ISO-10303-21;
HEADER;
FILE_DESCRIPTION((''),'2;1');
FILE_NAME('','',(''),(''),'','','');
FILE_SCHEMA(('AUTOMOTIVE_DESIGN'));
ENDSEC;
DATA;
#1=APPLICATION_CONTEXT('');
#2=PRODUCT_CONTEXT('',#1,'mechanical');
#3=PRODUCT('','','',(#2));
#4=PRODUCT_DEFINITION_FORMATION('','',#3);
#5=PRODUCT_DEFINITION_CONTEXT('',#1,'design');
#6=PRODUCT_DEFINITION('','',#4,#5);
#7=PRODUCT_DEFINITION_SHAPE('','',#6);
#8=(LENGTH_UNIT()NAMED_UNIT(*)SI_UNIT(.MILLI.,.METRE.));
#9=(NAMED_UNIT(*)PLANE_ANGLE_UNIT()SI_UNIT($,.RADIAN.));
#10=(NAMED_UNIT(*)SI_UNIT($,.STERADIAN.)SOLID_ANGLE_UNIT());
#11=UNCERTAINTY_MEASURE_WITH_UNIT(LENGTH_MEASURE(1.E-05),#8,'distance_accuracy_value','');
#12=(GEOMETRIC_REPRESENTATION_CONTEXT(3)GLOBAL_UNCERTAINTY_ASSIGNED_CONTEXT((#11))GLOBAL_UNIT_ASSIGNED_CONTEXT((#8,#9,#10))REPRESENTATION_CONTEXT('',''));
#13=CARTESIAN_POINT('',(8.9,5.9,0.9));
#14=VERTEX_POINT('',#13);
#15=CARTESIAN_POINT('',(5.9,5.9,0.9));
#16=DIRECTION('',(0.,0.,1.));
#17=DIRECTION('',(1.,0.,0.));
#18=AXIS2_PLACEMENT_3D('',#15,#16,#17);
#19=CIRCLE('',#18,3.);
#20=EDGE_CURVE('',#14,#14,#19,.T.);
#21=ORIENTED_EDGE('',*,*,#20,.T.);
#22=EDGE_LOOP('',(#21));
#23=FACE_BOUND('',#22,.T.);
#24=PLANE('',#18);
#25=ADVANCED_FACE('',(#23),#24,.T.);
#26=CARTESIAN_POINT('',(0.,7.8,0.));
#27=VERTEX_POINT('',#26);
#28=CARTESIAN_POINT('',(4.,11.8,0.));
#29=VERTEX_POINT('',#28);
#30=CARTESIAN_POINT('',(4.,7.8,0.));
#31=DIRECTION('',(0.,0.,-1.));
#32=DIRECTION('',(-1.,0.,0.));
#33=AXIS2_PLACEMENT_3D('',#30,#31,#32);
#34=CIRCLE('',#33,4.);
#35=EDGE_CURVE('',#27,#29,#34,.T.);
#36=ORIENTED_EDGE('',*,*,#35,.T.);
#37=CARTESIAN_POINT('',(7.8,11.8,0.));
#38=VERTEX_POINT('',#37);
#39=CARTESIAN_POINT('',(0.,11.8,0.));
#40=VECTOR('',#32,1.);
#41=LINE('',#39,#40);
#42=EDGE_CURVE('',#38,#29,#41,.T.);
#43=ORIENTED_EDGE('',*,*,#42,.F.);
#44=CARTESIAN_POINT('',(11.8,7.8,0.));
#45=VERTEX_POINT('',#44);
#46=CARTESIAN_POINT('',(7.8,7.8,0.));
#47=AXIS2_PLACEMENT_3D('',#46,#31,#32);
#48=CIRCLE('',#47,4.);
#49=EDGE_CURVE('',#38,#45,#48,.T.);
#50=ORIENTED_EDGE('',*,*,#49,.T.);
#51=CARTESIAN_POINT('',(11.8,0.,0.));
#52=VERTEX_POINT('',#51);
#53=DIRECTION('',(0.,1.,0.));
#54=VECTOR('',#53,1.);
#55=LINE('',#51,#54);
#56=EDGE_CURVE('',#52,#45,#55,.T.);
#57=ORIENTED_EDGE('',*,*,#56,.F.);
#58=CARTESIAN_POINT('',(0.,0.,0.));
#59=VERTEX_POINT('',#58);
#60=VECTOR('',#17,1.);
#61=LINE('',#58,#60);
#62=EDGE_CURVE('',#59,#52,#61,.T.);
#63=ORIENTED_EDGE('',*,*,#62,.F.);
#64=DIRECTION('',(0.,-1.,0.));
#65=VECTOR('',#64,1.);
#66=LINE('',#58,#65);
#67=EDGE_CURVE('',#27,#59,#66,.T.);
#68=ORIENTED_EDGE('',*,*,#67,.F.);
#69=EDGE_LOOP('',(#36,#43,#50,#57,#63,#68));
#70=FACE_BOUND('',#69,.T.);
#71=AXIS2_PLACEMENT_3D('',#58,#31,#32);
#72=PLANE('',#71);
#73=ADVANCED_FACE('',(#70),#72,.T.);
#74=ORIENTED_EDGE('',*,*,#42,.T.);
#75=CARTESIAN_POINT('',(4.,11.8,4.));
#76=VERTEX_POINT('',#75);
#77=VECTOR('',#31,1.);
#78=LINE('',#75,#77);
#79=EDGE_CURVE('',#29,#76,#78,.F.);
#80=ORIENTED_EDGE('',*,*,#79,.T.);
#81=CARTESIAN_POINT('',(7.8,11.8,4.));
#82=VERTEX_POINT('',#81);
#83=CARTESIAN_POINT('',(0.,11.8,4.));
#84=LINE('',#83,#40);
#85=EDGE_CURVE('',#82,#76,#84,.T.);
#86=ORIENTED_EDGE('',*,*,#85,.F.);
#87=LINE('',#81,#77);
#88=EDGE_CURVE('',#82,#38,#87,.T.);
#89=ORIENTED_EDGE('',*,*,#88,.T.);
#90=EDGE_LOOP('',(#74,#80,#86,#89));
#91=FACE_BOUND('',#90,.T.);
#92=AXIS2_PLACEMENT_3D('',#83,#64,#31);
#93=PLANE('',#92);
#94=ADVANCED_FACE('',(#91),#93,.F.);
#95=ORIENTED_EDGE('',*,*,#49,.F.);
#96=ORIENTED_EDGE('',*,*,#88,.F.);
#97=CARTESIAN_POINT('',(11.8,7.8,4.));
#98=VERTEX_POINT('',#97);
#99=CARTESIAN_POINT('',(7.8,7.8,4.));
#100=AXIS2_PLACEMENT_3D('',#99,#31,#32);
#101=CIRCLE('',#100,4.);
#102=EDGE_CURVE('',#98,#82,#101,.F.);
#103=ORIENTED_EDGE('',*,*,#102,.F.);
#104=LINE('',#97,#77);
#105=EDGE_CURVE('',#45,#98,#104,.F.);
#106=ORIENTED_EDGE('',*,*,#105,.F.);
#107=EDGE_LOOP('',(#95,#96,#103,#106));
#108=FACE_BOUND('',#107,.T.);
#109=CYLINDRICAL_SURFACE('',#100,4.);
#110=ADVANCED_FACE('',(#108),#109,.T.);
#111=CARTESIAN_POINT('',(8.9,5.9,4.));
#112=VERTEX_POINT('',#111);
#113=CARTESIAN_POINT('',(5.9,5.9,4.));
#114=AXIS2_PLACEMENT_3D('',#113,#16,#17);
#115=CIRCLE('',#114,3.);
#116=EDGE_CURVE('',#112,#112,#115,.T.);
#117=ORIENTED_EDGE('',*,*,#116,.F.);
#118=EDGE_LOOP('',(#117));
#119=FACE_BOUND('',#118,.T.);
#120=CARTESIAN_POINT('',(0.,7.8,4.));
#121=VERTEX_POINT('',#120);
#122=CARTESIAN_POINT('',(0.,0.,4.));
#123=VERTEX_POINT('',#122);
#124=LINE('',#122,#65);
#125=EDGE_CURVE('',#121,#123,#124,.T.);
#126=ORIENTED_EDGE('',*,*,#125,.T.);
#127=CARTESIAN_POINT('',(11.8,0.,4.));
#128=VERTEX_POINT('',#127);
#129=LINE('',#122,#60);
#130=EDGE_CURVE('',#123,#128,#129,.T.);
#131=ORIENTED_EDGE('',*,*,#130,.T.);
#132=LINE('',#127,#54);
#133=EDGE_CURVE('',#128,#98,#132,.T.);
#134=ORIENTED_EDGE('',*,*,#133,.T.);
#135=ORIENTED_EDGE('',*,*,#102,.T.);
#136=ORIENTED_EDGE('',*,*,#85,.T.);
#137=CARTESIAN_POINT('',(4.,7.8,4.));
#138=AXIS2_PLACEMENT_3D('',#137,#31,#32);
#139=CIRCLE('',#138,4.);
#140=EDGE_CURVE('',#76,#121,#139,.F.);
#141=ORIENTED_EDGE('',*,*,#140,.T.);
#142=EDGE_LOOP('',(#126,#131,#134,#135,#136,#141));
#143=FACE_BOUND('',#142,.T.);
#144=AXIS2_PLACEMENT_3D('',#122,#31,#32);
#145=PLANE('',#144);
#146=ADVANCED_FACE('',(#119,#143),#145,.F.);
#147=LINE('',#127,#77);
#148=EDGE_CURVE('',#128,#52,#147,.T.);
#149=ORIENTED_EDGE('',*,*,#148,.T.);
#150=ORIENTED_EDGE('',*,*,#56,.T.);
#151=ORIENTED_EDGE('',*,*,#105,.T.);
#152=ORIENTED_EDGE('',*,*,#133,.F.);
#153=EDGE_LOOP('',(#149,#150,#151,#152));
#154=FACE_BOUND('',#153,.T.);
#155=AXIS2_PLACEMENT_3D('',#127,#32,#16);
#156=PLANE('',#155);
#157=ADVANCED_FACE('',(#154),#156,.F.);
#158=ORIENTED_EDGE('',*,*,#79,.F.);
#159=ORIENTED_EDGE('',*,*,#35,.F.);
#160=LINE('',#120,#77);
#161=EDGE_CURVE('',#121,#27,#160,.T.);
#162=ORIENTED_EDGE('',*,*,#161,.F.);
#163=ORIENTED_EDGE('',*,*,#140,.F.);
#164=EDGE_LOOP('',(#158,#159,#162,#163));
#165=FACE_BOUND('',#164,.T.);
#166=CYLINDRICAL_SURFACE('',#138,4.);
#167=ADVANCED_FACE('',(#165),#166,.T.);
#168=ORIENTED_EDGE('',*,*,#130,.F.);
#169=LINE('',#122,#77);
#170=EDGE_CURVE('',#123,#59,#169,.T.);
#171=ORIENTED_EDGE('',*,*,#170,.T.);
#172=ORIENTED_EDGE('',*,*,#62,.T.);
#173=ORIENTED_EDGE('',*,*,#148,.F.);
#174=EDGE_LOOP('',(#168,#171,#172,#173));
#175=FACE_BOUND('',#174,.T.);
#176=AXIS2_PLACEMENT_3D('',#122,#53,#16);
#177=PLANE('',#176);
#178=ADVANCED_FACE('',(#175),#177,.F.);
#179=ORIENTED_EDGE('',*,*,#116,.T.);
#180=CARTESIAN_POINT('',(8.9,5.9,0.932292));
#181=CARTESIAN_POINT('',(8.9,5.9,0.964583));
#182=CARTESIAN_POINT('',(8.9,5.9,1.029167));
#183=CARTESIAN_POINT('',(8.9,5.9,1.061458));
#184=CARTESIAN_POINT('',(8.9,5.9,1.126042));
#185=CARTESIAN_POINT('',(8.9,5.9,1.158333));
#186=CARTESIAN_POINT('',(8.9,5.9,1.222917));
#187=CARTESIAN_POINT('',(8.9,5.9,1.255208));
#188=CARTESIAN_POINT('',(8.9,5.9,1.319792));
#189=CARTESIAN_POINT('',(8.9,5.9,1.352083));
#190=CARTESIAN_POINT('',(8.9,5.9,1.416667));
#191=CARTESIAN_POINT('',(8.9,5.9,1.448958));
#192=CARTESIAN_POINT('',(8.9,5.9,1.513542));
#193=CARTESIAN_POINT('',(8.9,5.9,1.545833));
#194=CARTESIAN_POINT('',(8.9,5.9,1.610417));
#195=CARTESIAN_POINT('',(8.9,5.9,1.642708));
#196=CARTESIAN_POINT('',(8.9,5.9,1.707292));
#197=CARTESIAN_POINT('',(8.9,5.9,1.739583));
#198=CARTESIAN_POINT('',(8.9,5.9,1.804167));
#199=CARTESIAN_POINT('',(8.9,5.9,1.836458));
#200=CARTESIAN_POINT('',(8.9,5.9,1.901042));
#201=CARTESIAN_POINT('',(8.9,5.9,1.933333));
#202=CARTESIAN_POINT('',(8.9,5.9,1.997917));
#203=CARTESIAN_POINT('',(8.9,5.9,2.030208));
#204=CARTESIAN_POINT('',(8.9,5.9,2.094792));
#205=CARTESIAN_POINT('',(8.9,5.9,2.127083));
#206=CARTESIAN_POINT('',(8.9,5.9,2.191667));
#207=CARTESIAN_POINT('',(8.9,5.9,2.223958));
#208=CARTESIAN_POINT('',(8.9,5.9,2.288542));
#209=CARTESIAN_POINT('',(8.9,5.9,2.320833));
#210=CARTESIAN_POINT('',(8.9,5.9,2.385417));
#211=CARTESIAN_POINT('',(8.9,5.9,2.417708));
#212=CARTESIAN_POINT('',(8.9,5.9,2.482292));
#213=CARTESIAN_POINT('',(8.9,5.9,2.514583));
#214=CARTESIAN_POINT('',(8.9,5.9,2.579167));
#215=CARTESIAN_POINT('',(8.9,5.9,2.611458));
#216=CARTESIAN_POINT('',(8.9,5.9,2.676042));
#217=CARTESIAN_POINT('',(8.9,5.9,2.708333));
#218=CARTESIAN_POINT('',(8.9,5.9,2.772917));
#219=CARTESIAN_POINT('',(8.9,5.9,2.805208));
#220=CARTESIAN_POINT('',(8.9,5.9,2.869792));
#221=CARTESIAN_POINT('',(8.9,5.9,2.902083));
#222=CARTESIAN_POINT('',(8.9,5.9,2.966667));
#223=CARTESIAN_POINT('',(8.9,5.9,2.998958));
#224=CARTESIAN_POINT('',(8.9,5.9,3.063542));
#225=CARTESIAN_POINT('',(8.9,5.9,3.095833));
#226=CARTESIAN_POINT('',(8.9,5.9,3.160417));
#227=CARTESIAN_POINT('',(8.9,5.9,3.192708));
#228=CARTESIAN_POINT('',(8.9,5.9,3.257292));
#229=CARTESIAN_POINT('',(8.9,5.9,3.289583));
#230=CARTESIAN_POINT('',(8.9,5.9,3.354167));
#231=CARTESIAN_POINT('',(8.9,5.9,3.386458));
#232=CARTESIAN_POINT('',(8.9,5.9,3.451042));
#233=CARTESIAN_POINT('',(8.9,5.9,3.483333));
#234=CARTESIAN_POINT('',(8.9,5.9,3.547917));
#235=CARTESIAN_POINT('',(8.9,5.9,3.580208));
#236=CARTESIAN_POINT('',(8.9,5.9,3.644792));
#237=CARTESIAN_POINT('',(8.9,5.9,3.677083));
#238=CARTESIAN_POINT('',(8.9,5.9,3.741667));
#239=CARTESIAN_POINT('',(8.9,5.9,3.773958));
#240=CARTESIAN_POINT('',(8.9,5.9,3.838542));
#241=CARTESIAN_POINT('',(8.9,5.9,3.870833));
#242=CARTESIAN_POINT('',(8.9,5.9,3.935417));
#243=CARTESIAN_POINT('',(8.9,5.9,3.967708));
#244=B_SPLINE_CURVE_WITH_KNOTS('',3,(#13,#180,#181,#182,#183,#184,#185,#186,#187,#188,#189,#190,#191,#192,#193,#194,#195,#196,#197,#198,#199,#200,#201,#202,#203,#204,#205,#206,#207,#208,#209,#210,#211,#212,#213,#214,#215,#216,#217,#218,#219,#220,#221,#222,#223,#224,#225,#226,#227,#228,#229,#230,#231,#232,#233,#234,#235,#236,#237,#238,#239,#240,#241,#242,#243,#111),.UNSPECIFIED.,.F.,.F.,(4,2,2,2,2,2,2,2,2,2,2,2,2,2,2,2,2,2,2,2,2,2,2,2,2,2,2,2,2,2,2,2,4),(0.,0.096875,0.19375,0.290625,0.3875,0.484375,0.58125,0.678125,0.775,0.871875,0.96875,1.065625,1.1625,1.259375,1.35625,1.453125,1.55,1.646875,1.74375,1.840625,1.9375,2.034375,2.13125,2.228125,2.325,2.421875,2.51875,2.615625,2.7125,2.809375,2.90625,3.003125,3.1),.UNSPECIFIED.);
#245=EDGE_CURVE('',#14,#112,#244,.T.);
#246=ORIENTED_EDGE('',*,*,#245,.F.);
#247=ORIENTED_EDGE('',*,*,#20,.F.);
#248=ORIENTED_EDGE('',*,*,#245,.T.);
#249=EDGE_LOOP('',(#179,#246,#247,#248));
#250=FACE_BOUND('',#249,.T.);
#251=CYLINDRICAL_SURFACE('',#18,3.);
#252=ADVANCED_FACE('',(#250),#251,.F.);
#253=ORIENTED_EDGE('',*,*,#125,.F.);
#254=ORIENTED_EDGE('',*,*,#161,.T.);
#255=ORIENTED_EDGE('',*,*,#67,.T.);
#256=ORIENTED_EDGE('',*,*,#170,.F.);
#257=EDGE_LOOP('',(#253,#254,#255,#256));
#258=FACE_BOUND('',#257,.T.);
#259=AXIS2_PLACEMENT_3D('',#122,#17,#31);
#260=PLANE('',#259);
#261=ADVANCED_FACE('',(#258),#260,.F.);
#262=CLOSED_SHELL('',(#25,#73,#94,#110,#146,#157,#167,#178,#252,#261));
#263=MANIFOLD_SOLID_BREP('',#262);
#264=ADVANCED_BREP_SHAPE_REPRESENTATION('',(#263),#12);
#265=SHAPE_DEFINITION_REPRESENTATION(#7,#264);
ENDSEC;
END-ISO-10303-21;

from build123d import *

# Parameters (mm, degrees)
SKETCH1_W           = 11.8
SKETCH1_H           = 11.8
BOSS_EXTRUDE1_DEPTH = 4
SKETCH2_R           = 3
CUT_EXTRUDE1_DEPTH  = 3.1
FILLET1_R           = 4


with BuildPart() as part:
    # Sketch1 → Boss-Extrude1 (new body)
    with BuildSketch(Plane.XY):
        with Locations((5.9, 5.9)):
            Rectangle(SKETCH1_W, SKETCH1_H)
    extrude(amount=BOSS_EXTRUDE1_DEPTH)

    # Sketch2 → Cut-Extrude1 (cut)
    with BuildSketch(Plane.XY.offset(4)):
        with Locations((5.9, 5.9)):
            Circle(SKETCH2_R)
    extrude(amount=-CUT_EXTRUDE1_DEPTH, mode=Mode.SUBTRACT)

    # Fillet1
    fillet1_edges = [part.edges().sort_by_distance(p)[0] for p in [
        (0, 11.8, 2),
        (11.8, 11.8, 2),
    ]]
    fillet(fillet1_edges, radius=FILLET1_R)


solid = part.part
